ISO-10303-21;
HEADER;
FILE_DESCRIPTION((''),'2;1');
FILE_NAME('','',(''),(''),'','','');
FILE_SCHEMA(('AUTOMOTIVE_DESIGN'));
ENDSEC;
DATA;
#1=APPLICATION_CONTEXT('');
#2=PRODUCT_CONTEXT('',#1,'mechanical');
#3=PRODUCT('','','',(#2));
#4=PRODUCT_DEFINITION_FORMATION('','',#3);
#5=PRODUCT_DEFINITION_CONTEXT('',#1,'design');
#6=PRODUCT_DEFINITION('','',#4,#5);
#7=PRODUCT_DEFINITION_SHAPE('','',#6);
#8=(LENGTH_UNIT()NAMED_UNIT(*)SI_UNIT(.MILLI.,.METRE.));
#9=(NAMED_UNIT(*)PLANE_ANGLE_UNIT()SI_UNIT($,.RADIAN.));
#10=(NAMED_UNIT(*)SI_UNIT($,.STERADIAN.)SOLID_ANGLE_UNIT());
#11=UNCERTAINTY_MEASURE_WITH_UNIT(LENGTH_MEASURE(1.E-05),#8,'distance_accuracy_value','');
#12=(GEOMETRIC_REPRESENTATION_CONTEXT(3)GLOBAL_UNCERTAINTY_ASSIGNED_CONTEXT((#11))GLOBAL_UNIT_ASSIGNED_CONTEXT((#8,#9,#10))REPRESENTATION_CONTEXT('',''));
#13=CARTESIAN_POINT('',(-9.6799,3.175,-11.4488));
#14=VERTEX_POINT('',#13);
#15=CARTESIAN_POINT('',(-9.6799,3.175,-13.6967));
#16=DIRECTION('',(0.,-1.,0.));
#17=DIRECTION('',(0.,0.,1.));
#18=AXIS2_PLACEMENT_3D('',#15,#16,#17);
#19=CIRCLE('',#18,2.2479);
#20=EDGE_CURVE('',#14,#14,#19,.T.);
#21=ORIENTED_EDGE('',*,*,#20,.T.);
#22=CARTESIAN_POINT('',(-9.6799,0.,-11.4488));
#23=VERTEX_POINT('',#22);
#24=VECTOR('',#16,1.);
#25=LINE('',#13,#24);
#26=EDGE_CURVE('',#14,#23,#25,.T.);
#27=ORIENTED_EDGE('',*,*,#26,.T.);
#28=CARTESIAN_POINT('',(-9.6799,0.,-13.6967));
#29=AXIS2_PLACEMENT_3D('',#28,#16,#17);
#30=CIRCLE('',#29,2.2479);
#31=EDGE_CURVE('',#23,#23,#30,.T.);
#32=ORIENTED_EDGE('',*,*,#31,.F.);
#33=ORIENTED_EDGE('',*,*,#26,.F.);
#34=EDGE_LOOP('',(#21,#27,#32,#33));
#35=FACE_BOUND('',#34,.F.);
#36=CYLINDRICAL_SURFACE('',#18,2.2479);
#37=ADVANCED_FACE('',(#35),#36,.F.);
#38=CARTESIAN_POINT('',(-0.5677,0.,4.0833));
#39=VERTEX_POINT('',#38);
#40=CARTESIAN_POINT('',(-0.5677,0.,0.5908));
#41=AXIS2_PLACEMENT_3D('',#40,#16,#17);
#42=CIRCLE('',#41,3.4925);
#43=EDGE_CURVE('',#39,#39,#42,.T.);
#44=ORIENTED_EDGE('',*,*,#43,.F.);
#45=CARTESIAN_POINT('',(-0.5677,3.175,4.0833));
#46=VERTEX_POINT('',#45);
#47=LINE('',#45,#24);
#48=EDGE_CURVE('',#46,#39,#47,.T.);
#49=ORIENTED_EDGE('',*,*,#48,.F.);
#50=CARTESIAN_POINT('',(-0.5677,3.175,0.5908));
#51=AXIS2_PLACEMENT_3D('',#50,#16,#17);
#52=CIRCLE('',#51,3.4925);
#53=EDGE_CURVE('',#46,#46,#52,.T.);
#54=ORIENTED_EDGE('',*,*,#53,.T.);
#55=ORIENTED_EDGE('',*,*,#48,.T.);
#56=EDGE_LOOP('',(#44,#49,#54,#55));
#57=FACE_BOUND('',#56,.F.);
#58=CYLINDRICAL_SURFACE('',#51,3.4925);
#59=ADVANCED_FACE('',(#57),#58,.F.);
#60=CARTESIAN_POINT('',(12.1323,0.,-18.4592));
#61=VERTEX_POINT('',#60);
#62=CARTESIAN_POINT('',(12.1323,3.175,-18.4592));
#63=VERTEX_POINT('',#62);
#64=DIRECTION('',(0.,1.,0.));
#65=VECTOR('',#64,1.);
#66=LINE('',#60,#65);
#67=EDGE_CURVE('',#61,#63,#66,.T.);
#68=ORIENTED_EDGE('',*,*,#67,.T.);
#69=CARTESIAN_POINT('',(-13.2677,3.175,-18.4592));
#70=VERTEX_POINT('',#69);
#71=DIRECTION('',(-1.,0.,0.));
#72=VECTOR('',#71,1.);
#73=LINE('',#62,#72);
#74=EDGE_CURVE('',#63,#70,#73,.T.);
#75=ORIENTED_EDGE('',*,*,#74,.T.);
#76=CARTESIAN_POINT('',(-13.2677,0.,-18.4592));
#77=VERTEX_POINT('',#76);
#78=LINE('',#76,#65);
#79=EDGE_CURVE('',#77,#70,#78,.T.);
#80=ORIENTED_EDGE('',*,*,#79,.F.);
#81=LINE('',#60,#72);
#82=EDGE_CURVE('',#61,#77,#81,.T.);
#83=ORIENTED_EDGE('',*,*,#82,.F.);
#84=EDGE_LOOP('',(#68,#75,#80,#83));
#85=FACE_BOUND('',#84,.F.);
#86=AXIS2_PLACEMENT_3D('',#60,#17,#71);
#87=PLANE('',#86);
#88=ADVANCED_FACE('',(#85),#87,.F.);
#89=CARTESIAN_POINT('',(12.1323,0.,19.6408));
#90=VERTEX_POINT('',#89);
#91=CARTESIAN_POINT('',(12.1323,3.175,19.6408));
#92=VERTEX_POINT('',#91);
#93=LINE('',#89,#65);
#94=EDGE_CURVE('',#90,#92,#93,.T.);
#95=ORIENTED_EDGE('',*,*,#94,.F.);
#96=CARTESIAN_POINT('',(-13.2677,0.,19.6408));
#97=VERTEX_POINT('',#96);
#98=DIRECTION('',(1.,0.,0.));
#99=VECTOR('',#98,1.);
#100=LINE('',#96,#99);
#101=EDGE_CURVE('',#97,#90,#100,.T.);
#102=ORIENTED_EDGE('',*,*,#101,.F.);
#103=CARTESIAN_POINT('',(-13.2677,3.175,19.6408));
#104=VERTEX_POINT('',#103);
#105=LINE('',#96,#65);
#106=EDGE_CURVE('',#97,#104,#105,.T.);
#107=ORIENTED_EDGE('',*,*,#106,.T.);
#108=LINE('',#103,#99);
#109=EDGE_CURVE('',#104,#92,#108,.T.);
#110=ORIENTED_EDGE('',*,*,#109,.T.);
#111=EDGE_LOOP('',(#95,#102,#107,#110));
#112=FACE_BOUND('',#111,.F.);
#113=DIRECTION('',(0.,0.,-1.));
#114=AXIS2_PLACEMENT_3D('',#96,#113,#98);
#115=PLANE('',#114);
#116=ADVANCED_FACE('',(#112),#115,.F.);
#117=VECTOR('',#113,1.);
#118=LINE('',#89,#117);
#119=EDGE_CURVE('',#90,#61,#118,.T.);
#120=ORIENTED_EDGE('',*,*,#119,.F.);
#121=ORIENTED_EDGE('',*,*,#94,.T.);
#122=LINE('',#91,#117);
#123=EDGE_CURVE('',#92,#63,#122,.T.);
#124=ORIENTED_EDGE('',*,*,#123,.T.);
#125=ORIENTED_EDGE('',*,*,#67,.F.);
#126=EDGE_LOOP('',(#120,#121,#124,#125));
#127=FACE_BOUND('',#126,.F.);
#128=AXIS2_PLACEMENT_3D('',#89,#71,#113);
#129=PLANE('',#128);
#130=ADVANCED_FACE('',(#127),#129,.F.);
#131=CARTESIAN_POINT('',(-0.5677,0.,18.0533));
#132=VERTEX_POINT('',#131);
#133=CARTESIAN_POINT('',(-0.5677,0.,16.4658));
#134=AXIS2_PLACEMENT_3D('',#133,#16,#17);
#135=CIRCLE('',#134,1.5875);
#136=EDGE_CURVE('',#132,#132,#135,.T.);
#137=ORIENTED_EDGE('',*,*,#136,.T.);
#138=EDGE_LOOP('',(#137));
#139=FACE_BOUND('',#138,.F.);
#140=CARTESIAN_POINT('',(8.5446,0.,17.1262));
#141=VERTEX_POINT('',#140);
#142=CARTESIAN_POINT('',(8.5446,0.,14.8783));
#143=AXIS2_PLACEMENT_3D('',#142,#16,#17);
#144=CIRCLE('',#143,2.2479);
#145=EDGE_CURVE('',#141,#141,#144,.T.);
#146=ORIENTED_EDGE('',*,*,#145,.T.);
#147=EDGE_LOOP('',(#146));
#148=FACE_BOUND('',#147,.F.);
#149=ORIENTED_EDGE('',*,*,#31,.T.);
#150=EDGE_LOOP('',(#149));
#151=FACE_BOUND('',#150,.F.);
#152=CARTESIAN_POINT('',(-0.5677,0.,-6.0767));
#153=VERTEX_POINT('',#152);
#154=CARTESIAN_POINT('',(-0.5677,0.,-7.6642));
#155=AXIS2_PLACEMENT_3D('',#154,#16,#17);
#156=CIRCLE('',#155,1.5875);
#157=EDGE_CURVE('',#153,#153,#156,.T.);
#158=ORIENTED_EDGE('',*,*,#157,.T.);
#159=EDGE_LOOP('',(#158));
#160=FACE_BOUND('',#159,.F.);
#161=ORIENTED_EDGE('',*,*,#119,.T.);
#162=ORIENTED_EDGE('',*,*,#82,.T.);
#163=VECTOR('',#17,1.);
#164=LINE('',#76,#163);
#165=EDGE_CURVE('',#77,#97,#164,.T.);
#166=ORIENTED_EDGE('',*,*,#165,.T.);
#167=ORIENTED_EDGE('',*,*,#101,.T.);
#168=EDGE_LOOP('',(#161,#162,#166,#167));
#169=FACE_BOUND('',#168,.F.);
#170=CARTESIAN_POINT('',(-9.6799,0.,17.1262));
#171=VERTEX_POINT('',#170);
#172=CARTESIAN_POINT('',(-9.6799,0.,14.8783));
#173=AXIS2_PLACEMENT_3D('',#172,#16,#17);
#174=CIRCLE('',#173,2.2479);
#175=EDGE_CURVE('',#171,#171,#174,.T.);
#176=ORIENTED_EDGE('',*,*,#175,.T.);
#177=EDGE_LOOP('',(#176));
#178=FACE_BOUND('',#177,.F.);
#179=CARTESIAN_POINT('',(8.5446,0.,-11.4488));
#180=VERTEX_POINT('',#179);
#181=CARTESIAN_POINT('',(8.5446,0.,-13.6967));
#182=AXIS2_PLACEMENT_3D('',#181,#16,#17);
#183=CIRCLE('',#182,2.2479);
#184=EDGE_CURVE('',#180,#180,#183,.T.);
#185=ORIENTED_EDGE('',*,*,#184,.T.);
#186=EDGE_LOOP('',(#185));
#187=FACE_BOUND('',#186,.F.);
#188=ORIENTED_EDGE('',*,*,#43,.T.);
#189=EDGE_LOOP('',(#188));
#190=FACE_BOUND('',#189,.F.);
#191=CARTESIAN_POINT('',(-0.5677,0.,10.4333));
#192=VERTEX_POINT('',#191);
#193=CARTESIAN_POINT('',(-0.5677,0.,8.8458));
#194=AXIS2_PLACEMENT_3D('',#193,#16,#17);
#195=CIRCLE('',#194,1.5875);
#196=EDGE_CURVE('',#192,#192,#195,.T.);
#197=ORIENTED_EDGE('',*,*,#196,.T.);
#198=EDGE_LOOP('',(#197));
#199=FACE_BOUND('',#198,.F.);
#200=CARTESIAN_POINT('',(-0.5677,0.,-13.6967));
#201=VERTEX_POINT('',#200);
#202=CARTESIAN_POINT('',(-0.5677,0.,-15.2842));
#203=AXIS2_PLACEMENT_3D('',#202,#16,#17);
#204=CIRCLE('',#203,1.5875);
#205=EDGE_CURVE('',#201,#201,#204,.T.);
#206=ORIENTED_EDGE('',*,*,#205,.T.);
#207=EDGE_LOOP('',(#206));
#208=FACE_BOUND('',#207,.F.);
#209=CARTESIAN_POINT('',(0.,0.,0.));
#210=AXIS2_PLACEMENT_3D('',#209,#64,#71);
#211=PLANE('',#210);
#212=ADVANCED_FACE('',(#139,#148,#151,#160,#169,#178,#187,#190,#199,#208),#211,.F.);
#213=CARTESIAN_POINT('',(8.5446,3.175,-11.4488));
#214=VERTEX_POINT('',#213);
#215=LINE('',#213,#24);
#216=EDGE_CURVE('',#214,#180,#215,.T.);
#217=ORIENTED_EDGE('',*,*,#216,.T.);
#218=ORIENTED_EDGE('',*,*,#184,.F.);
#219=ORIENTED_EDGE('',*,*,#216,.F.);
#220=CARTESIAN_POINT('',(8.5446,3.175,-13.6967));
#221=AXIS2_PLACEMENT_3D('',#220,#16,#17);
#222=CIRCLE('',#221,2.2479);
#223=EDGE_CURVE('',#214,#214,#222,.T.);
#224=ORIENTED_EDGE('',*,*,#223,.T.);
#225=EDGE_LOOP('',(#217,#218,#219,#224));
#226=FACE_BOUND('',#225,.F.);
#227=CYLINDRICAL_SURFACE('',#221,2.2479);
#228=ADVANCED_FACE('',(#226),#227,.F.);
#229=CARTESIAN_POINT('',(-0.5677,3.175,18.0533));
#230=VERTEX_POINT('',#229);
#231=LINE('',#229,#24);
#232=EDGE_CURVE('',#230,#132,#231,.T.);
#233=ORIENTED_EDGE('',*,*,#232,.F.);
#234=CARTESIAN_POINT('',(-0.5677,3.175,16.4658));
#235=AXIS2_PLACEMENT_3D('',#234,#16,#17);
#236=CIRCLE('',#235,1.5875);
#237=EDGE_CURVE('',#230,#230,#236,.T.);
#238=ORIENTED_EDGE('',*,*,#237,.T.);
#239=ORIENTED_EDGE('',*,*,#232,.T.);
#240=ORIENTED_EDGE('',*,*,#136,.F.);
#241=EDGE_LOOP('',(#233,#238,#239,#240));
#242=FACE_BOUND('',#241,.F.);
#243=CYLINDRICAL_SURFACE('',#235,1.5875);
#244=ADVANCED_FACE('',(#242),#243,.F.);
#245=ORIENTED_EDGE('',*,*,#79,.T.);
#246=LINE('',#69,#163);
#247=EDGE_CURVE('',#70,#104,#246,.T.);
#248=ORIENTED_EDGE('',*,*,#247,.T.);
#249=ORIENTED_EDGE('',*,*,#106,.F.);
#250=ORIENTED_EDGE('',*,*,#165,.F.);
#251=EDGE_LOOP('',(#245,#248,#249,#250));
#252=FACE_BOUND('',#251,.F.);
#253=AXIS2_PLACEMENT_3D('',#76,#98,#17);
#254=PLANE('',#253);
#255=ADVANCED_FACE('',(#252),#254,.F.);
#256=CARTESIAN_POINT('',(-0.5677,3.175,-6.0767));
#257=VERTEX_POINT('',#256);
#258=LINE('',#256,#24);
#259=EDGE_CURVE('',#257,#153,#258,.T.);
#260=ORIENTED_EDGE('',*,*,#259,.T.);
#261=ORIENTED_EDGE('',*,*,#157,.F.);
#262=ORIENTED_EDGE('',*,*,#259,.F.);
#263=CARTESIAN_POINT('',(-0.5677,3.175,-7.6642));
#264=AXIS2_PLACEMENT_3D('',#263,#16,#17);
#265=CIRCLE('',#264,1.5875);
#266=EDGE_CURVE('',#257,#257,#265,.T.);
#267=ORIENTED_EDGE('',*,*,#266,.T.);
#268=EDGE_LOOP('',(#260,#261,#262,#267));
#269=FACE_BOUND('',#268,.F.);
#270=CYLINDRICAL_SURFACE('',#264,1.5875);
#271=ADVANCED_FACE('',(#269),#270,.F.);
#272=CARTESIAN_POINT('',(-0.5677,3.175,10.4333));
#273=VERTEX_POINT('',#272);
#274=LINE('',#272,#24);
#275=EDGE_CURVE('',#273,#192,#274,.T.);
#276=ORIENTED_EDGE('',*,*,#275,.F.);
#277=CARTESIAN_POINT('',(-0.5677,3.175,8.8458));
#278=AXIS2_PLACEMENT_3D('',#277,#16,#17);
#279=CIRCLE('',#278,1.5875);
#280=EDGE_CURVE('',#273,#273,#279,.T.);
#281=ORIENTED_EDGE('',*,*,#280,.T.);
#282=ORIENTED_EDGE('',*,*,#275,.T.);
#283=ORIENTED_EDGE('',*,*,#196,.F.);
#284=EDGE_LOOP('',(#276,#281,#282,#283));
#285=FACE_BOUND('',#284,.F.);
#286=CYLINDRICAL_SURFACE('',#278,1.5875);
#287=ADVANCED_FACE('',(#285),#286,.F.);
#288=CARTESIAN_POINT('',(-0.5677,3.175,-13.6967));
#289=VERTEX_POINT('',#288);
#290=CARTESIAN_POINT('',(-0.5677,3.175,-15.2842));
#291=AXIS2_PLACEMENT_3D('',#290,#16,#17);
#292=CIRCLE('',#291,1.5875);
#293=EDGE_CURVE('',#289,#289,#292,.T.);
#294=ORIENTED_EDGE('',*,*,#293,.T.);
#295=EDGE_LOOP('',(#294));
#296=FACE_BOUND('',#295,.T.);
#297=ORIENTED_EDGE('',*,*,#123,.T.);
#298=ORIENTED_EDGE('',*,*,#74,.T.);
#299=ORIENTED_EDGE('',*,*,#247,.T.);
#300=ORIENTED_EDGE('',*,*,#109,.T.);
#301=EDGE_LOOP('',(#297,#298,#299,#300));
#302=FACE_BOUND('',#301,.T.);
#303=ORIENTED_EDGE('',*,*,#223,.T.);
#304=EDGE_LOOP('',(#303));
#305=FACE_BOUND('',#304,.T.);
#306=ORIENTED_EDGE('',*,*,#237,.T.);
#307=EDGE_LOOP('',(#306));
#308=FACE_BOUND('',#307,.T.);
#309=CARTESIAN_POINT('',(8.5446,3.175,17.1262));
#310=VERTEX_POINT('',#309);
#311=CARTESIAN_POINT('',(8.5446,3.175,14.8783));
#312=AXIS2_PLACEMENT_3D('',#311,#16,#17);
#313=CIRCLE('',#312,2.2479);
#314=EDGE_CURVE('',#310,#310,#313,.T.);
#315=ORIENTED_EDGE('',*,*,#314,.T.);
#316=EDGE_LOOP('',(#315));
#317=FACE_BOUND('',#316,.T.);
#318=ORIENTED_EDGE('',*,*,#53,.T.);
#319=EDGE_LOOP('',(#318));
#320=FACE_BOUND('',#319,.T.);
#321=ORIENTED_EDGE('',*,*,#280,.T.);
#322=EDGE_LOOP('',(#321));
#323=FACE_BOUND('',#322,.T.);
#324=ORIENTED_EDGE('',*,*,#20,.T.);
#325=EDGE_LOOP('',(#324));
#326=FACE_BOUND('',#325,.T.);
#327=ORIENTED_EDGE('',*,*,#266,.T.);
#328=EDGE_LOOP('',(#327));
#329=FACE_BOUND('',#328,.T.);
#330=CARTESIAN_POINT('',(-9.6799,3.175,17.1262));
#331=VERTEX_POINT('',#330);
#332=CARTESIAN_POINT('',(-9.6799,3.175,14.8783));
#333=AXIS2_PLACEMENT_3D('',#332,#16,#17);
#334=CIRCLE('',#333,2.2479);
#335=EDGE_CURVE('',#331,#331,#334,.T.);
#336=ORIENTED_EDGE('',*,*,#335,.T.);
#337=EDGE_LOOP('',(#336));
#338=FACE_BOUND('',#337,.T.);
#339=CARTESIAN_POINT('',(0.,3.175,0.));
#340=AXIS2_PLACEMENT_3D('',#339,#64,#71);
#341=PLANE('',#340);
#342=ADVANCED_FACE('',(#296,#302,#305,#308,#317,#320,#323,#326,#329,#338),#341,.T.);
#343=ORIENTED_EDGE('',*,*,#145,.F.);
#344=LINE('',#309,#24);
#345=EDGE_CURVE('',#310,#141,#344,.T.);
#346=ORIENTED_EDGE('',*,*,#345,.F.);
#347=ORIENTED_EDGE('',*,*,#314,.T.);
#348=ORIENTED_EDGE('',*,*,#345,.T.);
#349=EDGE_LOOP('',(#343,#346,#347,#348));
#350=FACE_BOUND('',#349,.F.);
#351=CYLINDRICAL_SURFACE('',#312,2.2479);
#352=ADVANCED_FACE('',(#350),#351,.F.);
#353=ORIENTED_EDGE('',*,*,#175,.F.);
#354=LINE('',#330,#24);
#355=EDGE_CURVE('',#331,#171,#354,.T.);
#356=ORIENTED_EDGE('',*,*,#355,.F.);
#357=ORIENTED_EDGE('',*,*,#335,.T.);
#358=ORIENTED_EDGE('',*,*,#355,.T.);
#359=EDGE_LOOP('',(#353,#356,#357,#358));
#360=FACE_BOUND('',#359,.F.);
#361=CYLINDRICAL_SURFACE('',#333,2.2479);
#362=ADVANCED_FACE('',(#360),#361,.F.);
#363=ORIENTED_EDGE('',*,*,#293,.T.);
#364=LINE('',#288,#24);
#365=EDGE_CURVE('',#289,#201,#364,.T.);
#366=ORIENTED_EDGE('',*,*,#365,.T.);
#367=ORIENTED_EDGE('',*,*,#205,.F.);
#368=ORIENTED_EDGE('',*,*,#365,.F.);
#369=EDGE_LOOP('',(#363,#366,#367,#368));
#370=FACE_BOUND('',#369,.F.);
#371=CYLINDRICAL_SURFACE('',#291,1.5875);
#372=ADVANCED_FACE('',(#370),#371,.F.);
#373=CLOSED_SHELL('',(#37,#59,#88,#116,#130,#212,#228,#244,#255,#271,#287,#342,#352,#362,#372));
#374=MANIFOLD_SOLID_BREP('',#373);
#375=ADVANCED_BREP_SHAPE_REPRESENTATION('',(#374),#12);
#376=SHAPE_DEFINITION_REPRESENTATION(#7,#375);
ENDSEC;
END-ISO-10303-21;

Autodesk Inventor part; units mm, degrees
ref_plane "YZ Plane" through (0, 0, 0) normal (1, 0, 0) x (0, 1, 0)
ref_plane "XZ Plane" through (0, 0, 0) normal (0, 1, 0) x (-1, 0, 0)
ref_plane "XY Plane" through (0, 0, 0) normal (0, 0, 1) x (1, 0, 0)
sketch "Sketch1" plane through (0, 0, 0) normal (0, 1, 0) x (-1, 0, 0)
  line L0 (13.2677, 19.6408) -> (-12.1323, 19.6408)
  line L1 (-12.1323, 19.6408) -> (-12.1323, -18.4592)
  line L2 (-12.1323, -18.4592) -> (13.2677, -18.4592)
  line L3 (13.2677, -18.4592) -> (13.2677, 19.6408)
  point P0 (0, 0)
  dimension "d0" = 25.4
  dimension "d1" = 38.1
extrude "Extrusion1" add sketch "Sketch1" along normal blind 3.175
hole "Hole1" at (-9.6799, 3.175, 14.8783) direction (0, -1, 0) diameter 4.4958 depth 3.175 clearance for "Flat Head Machine Screw (82)" size "#8" standard "Ansi Unified Screw Threads"
hole "Hole2" at (8.5446, 3.175, 14.8783) direction (0, -1, 0) diameter 4.4958 depth 3.175 clearance for "Flat Head Machine Screw (82)" size "#8" standard "Ansi Unified Screw Threads"
hole "Hole3" at (-9.6799, 3.175, -13.6967) direction (0, -1, 0) diameter 4.4958 depth 3.175 clearance for "Flat Head Machine Screw (82)" size "#8" standard "Ansi Unified Screw Threads"
hole "Hole4" at (8.5446, 3.175, -13.6967) direction (0, -1, 0) diameter 4.4958 depth 3.175 clearance for "Flat Head Machine Screw (82)" size "#8" standard "Ansi Unified Screw Threads"
hole "Hole6" at (-0.5677, 3.175, 8.8458) direction (0, -1, 0) diameter 3.175 depth 3.175
hole "Hole5" at (-0.5677, 3.175, -7.6642) direction (0, -1, 0) diameter 3.175 depth 3.175
hole "Hole7" at (-0.5677, 3.175, 0.5908) direction (0, -1, 0) diameter 6.985 depth 3.175
hole "Hole8" at (-0.5677, 3.175, 16.4658) direction (0, -1, 0) diameter 3.175 depth 3.175 tip angle 118
hole "Hole9" at (-0.5677, 3.175, -15.2842) direction (0, -1, 0) diameter 3.175 depth 3.175 tip angle 118
properties part number "Shield_3" material "Stainless Steel"
